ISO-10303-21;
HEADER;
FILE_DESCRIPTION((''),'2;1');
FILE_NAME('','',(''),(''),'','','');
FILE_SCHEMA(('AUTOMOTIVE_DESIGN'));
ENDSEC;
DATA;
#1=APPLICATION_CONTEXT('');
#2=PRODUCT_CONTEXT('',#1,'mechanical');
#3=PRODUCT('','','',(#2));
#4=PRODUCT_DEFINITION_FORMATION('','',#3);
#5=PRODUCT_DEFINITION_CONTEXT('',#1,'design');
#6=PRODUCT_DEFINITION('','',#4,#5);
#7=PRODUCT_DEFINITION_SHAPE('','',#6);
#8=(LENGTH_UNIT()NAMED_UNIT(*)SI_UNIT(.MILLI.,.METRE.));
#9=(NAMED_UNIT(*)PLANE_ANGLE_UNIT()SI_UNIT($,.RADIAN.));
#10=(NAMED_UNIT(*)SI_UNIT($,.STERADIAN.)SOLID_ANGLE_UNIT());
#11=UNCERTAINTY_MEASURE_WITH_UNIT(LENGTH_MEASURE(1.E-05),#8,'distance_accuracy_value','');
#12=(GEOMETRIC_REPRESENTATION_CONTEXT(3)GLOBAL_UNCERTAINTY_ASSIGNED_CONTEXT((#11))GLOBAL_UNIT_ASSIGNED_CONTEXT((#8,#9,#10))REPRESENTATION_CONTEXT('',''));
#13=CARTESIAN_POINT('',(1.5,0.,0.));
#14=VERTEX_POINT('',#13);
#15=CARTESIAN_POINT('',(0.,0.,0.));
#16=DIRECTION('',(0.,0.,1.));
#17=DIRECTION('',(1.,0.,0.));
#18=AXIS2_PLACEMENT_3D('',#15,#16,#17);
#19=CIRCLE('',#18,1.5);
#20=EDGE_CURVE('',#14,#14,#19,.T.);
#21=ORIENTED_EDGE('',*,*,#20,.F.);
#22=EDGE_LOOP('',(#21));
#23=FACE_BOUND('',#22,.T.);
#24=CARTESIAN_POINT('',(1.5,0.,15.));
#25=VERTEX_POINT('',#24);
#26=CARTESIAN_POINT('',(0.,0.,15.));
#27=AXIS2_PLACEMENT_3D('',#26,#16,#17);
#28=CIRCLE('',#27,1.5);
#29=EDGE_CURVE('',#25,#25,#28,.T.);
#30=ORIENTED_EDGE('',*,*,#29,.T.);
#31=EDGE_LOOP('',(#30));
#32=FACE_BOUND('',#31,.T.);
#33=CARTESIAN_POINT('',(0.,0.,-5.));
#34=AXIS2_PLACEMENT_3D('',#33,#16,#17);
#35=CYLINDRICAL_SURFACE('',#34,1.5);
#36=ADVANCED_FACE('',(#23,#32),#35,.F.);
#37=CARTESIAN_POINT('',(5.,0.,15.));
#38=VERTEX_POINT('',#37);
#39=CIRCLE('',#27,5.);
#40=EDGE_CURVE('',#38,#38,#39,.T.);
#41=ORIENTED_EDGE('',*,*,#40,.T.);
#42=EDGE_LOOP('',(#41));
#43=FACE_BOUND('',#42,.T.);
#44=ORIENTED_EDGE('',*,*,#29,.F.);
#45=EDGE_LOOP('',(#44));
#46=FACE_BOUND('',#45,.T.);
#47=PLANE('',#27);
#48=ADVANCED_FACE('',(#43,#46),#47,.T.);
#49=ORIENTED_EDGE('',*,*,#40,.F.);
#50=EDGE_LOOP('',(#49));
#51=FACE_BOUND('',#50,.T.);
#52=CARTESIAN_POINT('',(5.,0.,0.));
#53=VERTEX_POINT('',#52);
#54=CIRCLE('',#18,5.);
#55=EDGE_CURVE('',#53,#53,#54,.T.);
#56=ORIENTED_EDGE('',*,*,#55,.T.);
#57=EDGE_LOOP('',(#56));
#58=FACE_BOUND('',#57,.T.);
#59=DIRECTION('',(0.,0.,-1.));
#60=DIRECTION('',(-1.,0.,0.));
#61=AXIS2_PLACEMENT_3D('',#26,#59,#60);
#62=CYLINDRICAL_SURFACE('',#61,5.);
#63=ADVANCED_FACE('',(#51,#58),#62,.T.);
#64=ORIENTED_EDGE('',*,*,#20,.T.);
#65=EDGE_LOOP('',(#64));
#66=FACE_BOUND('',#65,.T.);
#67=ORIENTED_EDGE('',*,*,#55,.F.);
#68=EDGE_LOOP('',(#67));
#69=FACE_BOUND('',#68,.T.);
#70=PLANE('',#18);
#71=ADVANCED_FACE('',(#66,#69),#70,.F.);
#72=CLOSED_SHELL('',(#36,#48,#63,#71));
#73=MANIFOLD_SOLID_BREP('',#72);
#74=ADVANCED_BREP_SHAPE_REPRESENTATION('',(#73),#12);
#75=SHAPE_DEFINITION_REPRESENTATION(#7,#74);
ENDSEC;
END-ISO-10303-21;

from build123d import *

# Parameters (mm, degrees)
SKETCH1_R           = 5
BOSS_EXTRUDE1_DEPTH = 15
SKETCH2_R           = 1.5
CUT_EXTRUDE1_DEPTH  = 20


with BuildPart() as part:
    # Sketch1 → Boss-Extrude1 (new body)
    with BuildSketch(Plane.XY):
        Circle(SKETCH1_R)
    extrude(amount=BOSS_EXTRUDE1_DEPTH)

    # Sketch2 → Cut-Extrude1 (cut)
    with BuildSketch(Plane.XY.offset(15)):
        Circle(SKETCH2_R)
    extrude(amount=-CUT_EXTRUDE1_DEPTH, mode=Mode.SUBTRACT)


solid = part.part
